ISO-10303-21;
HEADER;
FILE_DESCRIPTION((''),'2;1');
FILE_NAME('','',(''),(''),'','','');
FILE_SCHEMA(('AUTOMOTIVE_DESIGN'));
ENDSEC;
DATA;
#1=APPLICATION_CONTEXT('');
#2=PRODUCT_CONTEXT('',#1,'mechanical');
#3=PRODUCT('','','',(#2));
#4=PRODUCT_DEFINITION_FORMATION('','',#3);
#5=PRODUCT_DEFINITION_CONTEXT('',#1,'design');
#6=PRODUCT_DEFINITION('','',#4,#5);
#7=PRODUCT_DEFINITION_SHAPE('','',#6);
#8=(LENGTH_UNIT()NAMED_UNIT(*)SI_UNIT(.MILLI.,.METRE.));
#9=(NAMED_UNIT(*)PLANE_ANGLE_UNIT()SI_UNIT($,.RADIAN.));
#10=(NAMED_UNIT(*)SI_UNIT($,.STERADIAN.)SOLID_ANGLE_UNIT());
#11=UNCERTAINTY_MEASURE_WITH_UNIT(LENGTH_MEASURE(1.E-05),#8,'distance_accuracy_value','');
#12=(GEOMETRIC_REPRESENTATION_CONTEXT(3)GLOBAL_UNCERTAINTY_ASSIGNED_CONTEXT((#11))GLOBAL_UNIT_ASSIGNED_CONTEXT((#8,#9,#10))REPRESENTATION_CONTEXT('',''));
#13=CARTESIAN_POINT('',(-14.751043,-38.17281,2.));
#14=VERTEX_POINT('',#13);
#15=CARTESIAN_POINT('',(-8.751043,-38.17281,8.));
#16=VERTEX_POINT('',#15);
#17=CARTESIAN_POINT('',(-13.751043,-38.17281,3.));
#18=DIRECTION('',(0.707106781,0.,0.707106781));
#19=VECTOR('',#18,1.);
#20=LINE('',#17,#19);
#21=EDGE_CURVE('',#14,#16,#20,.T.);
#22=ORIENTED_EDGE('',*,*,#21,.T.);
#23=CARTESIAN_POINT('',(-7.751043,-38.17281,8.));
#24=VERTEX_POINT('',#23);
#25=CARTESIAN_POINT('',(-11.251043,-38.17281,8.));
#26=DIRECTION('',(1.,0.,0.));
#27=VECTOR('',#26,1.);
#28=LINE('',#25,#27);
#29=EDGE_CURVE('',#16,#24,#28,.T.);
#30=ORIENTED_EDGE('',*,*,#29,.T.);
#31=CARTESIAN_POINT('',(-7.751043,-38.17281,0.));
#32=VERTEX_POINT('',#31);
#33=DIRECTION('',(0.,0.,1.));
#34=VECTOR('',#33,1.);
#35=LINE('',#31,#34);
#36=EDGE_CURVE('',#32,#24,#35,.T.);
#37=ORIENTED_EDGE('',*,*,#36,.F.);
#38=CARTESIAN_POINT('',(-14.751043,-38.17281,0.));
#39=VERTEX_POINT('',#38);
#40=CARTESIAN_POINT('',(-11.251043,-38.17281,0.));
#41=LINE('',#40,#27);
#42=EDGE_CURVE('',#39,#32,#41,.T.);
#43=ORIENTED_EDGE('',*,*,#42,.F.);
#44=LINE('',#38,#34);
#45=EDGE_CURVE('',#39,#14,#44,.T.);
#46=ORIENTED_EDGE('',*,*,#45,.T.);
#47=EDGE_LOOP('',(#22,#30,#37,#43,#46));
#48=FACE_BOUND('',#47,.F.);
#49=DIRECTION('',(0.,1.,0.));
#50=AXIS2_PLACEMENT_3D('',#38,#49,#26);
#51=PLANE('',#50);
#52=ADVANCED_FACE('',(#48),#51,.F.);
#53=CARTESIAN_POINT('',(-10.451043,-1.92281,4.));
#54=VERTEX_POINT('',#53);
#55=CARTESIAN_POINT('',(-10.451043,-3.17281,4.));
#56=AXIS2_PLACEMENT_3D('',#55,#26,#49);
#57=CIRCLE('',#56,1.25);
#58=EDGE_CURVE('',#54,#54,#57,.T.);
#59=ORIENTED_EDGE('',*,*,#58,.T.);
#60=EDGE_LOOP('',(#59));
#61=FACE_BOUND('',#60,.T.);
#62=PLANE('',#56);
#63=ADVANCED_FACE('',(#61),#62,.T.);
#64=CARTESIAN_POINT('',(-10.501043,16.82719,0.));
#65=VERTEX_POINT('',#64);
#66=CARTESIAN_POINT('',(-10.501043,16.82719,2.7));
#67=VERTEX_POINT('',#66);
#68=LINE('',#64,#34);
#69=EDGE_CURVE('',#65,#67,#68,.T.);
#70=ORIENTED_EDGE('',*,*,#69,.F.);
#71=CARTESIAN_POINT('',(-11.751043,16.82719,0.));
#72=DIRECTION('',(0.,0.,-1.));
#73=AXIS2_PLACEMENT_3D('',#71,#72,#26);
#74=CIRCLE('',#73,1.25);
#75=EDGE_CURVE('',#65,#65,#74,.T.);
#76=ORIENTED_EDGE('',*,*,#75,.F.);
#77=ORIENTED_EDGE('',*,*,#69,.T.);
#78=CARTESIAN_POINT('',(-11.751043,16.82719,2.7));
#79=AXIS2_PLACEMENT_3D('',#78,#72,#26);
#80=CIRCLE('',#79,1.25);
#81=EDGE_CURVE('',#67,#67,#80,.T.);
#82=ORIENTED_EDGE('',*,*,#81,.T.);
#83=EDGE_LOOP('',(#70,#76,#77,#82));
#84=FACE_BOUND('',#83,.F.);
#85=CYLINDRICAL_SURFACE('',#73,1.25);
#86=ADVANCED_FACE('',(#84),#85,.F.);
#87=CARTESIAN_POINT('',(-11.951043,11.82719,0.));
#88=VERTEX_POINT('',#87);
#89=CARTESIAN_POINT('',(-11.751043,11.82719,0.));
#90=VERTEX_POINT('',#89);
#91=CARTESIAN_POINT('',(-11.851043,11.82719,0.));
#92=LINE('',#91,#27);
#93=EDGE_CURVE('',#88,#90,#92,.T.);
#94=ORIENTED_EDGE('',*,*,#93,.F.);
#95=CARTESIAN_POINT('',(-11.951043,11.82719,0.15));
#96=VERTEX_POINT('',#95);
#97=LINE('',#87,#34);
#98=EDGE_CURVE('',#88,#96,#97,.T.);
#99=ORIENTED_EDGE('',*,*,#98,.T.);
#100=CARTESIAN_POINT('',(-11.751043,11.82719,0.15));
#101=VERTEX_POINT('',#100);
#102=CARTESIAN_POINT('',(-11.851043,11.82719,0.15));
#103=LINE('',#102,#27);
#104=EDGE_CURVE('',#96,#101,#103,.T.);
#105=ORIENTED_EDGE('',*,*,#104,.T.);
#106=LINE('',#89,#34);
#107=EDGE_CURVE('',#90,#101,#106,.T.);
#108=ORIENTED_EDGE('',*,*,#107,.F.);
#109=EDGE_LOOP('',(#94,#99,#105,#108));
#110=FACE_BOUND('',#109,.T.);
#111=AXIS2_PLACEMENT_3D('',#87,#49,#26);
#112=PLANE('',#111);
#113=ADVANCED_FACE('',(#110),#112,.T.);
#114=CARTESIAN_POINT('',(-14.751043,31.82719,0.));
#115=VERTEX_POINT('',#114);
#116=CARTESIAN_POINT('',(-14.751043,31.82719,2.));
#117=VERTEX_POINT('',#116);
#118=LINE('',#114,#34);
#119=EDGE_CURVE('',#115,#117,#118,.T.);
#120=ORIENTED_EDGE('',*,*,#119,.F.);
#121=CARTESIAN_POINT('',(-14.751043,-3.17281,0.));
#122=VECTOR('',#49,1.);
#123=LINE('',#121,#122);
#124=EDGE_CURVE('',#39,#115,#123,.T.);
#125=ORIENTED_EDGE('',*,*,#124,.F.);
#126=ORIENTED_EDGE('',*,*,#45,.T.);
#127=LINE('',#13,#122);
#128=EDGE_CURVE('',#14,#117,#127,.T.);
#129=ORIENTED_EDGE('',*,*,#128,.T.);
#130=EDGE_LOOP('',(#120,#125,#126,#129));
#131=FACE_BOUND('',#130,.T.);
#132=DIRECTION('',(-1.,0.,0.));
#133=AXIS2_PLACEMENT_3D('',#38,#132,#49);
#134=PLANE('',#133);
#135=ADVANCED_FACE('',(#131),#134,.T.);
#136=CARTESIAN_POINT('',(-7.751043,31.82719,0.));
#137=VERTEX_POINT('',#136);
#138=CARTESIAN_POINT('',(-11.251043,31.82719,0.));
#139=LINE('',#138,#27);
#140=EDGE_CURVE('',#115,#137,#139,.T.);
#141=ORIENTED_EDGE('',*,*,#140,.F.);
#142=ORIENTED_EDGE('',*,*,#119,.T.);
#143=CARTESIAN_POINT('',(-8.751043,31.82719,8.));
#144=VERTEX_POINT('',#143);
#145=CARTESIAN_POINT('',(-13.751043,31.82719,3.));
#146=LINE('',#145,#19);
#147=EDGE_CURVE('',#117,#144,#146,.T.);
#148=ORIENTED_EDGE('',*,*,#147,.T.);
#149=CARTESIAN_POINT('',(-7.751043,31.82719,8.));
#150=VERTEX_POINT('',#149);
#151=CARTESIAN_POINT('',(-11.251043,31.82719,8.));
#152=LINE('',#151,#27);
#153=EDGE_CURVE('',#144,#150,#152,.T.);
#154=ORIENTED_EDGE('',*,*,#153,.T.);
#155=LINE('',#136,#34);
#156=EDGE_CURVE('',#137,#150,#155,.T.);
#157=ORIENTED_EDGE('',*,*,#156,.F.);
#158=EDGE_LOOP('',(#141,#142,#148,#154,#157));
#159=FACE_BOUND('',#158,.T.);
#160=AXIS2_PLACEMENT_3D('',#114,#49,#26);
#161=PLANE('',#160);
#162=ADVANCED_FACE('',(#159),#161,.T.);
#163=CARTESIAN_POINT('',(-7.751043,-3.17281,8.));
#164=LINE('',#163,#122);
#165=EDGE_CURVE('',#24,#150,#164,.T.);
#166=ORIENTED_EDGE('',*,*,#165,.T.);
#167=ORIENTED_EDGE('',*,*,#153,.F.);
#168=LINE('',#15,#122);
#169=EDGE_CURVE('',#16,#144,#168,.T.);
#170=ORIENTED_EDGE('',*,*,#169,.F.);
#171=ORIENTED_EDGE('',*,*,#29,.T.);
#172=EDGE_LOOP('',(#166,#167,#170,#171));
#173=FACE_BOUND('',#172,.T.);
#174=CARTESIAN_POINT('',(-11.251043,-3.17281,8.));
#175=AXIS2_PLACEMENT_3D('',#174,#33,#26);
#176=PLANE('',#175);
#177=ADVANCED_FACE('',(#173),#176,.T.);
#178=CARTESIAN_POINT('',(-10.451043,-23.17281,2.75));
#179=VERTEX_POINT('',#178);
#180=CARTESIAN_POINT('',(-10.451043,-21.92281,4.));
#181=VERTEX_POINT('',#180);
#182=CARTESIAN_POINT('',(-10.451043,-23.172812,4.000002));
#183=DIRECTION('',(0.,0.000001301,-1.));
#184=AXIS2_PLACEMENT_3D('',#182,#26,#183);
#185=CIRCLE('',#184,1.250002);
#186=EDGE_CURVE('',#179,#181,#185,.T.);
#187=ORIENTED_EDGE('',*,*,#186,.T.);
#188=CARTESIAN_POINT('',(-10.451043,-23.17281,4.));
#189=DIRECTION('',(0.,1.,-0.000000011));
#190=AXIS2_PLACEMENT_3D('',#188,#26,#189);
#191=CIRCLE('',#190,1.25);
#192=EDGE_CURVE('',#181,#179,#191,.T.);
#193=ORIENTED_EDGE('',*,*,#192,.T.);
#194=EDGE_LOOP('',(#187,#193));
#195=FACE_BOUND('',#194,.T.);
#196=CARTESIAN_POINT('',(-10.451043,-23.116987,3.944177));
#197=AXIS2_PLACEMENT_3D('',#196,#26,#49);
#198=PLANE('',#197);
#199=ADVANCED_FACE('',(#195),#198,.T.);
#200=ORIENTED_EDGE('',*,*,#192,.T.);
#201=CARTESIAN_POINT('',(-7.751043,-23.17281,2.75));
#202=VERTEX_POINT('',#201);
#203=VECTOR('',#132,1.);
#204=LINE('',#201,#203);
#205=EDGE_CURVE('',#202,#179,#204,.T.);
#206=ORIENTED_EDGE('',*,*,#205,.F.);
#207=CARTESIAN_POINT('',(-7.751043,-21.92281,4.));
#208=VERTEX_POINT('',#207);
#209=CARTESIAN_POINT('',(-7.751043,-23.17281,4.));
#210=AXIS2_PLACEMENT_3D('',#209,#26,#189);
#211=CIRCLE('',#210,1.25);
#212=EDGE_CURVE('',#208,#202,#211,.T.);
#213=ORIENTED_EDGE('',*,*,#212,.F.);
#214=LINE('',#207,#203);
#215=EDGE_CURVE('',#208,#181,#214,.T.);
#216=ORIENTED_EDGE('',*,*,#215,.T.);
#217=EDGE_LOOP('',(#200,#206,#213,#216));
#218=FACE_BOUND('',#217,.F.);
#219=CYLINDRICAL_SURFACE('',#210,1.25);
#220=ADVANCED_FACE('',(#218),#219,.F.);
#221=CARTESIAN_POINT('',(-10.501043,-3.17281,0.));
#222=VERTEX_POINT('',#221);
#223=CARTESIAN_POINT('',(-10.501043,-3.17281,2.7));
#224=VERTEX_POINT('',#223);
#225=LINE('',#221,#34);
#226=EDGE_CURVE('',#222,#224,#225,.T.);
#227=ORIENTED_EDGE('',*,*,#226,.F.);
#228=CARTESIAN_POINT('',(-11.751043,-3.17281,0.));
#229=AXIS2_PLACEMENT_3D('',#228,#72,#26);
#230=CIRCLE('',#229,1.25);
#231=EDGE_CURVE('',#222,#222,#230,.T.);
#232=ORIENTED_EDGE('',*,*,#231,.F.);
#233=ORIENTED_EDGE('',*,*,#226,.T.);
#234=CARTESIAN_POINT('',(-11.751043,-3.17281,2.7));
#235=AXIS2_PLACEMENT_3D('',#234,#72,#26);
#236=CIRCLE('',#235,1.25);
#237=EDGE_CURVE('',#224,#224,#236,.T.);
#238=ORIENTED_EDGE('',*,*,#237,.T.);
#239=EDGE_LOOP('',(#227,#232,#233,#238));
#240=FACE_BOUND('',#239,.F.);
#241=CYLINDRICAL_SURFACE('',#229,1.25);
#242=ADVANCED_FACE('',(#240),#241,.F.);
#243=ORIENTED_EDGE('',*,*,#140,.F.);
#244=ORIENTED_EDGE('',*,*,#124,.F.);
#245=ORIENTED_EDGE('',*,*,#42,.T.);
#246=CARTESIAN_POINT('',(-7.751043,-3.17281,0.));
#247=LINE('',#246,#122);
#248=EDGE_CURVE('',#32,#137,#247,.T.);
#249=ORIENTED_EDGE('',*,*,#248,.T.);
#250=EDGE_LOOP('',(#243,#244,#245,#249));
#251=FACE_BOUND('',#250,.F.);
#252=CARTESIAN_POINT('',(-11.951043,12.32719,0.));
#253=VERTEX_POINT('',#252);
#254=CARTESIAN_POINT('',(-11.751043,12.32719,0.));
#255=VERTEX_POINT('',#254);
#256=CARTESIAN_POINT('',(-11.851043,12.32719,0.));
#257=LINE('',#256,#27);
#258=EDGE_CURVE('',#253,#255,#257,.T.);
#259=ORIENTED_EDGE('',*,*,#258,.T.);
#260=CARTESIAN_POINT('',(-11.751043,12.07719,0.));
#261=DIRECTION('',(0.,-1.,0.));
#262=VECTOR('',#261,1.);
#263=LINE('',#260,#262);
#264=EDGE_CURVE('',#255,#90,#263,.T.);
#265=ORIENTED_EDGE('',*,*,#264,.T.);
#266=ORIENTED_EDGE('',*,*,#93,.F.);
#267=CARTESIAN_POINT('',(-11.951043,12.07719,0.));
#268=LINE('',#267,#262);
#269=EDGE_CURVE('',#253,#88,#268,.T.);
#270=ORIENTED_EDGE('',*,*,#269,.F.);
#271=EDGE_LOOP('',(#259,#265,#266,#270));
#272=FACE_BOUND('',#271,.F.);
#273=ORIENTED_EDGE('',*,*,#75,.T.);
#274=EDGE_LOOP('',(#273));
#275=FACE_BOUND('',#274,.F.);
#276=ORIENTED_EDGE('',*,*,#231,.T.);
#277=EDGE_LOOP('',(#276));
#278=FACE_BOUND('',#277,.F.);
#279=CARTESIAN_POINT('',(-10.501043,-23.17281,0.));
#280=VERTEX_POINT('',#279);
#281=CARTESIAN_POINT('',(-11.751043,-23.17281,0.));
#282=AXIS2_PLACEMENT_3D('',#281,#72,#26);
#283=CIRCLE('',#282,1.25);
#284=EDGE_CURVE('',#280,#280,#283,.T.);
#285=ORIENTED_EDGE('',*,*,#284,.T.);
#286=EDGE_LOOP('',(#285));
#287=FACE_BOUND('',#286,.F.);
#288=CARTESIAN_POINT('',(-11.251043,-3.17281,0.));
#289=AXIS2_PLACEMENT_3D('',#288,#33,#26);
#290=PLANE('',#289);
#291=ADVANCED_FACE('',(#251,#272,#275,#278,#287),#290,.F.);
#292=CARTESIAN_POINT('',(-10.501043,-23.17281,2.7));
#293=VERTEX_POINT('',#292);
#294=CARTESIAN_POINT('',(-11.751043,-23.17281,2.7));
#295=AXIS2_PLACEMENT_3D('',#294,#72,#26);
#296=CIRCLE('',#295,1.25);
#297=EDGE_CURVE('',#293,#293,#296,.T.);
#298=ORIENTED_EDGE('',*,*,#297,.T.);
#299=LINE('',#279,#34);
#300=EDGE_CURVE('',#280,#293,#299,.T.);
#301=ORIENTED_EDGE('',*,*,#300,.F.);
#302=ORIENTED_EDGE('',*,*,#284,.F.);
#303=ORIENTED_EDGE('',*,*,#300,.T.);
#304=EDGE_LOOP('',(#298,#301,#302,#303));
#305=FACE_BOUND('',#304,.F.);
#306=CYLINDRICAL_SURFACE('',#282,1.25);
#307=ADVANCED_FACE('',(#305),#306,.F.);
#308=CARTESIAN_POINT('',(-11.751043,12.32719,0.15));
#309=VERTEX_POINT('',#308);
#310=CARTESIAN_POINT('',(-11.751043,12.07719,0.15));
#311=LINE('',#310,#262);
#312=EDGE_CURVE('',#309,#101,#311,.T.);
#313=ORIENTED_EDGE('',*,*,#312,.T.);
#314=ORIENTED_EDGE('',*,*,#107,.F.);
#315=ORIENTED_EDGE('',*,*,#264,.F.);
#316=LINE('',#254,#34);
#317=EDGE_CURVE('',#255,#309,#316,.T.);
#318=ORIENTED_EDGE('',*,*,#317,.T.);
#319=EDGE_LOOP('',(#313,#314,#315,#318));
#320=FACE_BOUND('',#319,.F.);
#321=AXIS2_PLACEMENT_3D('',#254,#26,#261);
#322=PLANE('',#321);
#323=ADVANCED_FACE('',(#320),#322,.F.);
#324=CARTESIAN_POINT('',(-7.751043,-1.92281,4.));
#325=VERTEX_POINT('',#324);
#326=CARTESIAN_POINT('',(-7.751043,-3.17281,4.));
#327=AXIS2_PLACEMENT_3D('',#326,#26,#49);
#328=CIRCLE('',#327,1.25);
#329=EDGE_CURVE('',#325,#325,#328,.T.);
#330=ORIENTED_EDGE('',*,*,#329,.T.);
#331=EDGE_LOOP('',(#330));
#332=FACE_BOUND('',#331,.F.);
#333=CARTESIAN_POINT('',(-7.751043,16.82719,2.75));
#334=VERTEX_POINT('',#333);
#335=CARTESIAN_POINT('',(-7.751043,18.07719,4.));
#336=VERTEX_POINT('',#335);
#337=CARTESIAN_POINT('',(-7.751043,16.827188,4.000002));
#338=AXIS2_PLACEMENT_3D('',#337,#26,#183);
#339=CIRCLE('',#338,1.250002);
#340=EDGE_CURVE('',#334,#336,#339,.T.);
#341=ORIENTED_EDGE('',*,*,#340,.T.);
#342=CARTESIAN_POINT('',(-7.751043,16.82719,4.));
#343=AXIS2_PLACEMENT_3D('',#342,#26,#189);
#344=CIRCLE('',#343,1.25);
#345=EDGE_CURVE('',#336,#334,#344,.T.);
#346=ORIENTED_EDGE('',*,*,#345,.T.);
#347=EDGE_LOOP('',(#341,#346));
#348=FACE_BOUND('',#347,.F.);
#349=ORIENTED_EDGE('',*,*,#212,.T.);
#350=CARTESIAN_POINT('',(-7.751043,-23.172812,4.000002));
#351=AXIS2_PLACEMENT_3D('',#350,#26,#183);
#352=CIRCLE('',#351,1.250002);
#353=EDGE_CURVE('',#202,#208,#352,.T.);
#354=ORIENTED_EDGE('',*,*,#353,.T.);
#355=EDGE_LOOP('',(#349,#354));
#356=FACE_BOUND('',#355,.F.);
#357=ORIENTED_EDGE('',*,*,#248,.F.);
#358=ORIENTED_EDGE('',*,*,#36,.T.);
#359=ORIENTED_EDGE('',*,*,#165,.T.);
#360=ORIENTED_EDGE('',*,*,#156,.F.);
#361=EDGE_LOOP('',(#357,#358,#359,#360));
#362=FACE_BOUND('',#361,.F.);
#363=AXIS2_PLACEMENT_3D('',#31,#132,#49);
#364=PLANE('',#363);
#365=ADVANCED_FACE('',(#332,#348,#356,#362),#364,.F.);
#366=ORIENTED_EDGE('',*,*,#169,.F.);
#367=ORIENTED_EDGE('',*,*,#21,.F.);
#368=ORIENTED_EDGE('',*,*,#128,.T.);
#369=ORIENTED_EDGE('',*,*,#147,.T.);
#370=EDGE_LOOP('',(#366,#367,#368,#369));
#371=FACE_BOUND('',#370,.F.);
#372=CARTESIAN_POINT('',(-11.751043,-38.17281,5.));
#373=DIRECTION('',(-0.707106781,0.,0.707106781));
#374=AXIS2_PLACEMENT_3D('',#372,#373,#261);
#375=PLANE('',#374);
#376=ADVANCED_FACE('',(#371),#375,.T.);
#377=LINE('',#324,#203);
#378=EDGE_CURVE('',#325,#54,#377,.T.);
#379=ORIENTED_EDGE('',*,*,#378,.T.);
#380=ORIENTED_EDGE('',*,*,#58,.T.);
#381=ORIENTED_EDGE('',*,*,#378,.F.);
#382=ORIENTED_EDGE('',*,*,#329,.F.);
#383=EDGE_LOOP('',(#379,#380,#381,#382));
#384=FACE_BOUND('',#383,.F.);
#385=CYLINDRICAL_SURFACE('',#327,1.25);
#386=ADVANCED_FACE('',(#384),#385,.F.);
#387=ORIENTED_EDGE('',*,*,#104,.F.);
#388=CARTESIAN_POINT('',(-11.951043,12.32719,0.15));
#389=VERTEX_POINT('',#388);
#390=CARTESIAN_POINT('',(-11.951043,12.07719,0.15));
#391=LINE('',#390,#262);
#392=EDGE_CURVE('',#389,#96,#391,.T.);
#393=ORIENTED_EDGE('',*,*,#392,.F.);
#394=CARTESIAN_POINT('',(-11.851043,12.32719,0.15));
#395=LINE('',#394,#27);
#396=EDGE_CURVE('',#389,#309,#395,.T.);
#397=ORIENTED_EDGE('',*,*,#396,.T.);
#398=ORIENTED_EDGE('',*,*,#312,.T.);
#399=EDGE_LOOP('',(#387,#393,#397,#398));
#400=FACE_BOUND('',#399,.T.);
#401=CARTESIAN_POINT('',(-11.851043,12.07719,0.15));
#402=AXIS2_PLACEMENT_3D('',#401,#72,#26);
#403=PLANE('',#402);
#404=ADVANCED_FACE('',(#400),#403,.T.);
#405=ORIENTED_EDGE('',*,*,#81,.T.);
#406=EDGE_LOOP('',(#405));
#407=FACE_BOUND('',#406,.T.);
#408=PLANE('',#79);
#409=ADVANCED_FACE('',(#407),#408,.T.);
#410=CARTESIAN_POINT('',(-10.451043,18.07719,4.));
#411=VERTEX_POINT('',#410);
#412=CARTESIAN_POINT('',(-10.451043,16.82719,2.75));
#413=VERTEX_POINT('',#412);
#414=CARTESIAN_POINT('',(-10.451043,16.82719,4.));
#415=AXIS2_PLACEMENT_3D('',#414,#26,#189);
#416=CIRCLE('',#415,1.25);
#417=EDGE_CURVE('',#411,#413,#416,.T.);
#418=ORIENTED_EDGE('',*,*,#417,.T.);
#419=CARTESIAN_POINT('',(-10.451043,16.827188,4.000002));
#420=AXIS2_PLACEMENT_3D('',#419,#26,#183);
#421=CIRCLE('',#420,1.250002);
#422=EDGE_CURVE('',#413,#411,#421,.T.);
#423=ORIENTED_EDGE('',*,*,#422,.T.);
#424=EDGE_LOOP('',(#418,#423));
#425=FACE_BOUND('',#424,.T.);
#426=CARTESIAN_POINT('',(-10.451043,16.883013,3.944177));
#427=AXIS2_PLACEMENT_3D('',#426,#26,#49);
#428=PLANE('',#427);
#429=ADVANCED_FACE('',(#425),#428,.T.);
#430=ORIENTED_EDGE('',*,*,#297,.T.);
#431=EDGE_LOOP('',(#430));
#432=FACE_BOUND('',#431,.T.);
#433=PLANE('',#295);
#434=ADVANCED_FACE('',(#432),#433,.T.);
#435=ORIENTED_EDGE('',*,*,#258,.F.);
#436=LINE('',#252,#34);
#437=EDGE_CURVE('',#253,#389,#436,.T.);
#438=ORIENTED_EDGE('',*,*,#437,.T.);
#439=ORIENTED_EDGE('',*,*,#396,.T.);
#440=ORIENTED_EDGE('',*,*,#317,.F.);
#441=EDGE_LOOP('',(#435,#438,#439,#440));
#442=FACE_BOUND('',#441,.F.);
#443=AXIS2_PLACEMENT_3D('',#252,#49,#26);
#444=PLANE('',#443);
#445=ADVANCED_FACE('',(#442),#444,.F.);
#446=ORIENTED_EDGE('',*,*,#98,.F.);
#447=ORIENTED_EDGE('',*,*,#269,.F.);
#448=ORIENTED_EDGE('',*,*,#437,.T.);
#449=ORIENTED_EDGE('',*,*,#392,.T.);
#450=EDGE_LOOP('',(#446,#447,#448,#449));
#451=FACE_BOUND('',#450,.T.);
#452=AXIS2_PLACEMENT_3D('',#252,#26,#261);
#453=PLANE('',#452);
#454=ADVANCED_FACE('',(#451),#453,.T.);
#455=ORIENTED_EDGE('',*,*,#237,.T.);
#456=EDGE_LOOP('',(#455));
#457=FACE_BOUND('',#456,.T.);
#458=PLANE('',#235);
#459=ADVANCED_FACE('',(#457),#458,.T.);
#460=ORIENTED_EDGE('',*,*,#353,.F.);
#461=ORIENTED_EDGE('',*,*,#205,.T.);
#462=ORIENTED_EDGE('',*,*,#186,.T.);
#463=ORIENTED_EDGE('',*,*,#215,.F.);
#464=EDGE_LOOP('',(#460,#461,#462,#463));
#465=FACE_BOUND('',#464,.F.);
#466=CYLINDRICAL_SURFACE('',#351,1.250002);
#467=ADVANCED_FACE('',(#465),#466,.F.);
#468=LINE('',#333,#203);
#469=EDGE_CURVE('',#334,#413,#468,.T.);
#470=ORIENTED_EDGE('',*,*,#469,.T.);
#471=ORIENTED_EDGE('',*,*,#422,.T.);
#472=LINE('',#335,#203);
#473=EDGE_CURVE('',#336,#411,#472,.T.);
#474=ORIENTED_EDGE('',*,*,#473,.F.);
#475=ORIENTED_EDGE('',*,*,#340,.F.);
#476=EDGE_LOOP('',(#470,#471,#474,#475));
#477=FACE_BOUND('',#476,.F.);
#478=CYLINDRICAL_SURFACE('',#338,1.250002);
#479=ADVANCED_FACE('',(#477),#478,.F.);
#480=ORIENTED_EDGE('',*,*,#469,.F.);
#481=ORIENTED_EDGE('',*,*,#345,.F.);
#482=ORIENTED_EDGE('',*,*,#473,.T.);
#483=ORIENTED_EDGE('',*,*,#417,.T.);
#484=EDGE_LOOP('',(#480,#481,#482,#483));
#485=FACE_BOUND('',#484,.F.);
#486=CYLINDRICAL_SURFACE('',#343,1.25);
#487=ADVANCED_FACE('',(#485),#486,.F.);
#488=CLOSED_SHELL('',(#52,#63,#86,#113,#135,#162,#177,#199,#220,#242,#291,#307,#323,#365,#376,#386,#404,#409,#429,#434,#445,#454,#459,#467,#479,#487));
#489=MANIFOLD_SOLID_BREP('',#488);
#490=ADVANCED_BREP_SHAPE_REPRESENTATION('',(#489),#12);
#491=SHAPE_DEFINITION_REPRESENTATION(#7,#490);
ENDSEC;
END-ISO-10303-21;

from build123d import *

# Parameters (mm, degrees)
F0_W     = 7
F0_H     = 70
F1_DEPTH = 8
F2_SIZE  = 6
F3_R     = 1.25
F4_DEPTH = 2.7
F5_R     = 1.25
F6_DEPTH = 2.7
F5_W     = 0.2
F5_H     = 0.5
F7_DEPTH = 0.15


with BuildPart() as f1:
    # F0 (on Top) → F1 (new body)
    with BuildSketch(Plane.XY):
        with Locations((-11.251043, -3.17281)):
            Rectangle(F0_W, F0_H)
    extrude(amount=F1_DEPTH)

    # F2
    f2_edges = [f1.edges().sort_by_distance(p)[0] for p in [
        (-14.751043, -3.17281, 8),
    ]]
    chamfer(f2_edges, length=F2_SIZE)

    # F3 (on face) → F4 (cut)
    with BuildSketch(Plane.YZ.offset(-7.751043)):
        with BuildLine():
            ThreePointArc((-23.17281, 2.75), (-22.288927, 3.116117), (-21.92281, 4))
            ThreePointArc((-21.92281, 4), (-24.056694, 4.883883), (-23.17281, 2.75))
        make_face()
        with Locations((-3.17281, 4)):
            Circle(F3_R)
        with BuildLine():
            ThreePointArc((16.82719, 2.75), (17.711073, 3.116117), (18.07719, 4))
            ThreePointArc((18.07719, 4), (15.943306, 4.883883), (16.82719, 2.75))
        make_face()
    extrude(amount=-F4_DEPTH, mode=Mode.SUBTRACT)

    # F5 (on face) → F6 (cut)
    with BuildSketch(Plane(origin=(0, 0, 0), x_dir=(1, 0, 0), z_dir=(0, 0, -1))):
        with Locations((-11.751043, -16.82719)):
            Circle(F5_R)
        with Locations((-11.751043, 3.17281)):
            Circle(F5_R)
        with Locations((-11.751043, 23.17281)):
            Circle(F5_R)
    extrude(amount=-F6_DEPTH, mode=Mode.SUBTRACT)

    # F5 (on face) → F7 (cut)
    with BuildSketch(Plane(origin=(0, 0, 0), x_dir=(1, 0, 0), z_dir=(0, 0, -1))):
        with Locations((-11.851043, -12.07719)):
            Rectangle(F5_W, F5_H)
    extrude(amount=-F7_DEPTH, mode=Mode.SUBTRACT)


solid = f1.part
